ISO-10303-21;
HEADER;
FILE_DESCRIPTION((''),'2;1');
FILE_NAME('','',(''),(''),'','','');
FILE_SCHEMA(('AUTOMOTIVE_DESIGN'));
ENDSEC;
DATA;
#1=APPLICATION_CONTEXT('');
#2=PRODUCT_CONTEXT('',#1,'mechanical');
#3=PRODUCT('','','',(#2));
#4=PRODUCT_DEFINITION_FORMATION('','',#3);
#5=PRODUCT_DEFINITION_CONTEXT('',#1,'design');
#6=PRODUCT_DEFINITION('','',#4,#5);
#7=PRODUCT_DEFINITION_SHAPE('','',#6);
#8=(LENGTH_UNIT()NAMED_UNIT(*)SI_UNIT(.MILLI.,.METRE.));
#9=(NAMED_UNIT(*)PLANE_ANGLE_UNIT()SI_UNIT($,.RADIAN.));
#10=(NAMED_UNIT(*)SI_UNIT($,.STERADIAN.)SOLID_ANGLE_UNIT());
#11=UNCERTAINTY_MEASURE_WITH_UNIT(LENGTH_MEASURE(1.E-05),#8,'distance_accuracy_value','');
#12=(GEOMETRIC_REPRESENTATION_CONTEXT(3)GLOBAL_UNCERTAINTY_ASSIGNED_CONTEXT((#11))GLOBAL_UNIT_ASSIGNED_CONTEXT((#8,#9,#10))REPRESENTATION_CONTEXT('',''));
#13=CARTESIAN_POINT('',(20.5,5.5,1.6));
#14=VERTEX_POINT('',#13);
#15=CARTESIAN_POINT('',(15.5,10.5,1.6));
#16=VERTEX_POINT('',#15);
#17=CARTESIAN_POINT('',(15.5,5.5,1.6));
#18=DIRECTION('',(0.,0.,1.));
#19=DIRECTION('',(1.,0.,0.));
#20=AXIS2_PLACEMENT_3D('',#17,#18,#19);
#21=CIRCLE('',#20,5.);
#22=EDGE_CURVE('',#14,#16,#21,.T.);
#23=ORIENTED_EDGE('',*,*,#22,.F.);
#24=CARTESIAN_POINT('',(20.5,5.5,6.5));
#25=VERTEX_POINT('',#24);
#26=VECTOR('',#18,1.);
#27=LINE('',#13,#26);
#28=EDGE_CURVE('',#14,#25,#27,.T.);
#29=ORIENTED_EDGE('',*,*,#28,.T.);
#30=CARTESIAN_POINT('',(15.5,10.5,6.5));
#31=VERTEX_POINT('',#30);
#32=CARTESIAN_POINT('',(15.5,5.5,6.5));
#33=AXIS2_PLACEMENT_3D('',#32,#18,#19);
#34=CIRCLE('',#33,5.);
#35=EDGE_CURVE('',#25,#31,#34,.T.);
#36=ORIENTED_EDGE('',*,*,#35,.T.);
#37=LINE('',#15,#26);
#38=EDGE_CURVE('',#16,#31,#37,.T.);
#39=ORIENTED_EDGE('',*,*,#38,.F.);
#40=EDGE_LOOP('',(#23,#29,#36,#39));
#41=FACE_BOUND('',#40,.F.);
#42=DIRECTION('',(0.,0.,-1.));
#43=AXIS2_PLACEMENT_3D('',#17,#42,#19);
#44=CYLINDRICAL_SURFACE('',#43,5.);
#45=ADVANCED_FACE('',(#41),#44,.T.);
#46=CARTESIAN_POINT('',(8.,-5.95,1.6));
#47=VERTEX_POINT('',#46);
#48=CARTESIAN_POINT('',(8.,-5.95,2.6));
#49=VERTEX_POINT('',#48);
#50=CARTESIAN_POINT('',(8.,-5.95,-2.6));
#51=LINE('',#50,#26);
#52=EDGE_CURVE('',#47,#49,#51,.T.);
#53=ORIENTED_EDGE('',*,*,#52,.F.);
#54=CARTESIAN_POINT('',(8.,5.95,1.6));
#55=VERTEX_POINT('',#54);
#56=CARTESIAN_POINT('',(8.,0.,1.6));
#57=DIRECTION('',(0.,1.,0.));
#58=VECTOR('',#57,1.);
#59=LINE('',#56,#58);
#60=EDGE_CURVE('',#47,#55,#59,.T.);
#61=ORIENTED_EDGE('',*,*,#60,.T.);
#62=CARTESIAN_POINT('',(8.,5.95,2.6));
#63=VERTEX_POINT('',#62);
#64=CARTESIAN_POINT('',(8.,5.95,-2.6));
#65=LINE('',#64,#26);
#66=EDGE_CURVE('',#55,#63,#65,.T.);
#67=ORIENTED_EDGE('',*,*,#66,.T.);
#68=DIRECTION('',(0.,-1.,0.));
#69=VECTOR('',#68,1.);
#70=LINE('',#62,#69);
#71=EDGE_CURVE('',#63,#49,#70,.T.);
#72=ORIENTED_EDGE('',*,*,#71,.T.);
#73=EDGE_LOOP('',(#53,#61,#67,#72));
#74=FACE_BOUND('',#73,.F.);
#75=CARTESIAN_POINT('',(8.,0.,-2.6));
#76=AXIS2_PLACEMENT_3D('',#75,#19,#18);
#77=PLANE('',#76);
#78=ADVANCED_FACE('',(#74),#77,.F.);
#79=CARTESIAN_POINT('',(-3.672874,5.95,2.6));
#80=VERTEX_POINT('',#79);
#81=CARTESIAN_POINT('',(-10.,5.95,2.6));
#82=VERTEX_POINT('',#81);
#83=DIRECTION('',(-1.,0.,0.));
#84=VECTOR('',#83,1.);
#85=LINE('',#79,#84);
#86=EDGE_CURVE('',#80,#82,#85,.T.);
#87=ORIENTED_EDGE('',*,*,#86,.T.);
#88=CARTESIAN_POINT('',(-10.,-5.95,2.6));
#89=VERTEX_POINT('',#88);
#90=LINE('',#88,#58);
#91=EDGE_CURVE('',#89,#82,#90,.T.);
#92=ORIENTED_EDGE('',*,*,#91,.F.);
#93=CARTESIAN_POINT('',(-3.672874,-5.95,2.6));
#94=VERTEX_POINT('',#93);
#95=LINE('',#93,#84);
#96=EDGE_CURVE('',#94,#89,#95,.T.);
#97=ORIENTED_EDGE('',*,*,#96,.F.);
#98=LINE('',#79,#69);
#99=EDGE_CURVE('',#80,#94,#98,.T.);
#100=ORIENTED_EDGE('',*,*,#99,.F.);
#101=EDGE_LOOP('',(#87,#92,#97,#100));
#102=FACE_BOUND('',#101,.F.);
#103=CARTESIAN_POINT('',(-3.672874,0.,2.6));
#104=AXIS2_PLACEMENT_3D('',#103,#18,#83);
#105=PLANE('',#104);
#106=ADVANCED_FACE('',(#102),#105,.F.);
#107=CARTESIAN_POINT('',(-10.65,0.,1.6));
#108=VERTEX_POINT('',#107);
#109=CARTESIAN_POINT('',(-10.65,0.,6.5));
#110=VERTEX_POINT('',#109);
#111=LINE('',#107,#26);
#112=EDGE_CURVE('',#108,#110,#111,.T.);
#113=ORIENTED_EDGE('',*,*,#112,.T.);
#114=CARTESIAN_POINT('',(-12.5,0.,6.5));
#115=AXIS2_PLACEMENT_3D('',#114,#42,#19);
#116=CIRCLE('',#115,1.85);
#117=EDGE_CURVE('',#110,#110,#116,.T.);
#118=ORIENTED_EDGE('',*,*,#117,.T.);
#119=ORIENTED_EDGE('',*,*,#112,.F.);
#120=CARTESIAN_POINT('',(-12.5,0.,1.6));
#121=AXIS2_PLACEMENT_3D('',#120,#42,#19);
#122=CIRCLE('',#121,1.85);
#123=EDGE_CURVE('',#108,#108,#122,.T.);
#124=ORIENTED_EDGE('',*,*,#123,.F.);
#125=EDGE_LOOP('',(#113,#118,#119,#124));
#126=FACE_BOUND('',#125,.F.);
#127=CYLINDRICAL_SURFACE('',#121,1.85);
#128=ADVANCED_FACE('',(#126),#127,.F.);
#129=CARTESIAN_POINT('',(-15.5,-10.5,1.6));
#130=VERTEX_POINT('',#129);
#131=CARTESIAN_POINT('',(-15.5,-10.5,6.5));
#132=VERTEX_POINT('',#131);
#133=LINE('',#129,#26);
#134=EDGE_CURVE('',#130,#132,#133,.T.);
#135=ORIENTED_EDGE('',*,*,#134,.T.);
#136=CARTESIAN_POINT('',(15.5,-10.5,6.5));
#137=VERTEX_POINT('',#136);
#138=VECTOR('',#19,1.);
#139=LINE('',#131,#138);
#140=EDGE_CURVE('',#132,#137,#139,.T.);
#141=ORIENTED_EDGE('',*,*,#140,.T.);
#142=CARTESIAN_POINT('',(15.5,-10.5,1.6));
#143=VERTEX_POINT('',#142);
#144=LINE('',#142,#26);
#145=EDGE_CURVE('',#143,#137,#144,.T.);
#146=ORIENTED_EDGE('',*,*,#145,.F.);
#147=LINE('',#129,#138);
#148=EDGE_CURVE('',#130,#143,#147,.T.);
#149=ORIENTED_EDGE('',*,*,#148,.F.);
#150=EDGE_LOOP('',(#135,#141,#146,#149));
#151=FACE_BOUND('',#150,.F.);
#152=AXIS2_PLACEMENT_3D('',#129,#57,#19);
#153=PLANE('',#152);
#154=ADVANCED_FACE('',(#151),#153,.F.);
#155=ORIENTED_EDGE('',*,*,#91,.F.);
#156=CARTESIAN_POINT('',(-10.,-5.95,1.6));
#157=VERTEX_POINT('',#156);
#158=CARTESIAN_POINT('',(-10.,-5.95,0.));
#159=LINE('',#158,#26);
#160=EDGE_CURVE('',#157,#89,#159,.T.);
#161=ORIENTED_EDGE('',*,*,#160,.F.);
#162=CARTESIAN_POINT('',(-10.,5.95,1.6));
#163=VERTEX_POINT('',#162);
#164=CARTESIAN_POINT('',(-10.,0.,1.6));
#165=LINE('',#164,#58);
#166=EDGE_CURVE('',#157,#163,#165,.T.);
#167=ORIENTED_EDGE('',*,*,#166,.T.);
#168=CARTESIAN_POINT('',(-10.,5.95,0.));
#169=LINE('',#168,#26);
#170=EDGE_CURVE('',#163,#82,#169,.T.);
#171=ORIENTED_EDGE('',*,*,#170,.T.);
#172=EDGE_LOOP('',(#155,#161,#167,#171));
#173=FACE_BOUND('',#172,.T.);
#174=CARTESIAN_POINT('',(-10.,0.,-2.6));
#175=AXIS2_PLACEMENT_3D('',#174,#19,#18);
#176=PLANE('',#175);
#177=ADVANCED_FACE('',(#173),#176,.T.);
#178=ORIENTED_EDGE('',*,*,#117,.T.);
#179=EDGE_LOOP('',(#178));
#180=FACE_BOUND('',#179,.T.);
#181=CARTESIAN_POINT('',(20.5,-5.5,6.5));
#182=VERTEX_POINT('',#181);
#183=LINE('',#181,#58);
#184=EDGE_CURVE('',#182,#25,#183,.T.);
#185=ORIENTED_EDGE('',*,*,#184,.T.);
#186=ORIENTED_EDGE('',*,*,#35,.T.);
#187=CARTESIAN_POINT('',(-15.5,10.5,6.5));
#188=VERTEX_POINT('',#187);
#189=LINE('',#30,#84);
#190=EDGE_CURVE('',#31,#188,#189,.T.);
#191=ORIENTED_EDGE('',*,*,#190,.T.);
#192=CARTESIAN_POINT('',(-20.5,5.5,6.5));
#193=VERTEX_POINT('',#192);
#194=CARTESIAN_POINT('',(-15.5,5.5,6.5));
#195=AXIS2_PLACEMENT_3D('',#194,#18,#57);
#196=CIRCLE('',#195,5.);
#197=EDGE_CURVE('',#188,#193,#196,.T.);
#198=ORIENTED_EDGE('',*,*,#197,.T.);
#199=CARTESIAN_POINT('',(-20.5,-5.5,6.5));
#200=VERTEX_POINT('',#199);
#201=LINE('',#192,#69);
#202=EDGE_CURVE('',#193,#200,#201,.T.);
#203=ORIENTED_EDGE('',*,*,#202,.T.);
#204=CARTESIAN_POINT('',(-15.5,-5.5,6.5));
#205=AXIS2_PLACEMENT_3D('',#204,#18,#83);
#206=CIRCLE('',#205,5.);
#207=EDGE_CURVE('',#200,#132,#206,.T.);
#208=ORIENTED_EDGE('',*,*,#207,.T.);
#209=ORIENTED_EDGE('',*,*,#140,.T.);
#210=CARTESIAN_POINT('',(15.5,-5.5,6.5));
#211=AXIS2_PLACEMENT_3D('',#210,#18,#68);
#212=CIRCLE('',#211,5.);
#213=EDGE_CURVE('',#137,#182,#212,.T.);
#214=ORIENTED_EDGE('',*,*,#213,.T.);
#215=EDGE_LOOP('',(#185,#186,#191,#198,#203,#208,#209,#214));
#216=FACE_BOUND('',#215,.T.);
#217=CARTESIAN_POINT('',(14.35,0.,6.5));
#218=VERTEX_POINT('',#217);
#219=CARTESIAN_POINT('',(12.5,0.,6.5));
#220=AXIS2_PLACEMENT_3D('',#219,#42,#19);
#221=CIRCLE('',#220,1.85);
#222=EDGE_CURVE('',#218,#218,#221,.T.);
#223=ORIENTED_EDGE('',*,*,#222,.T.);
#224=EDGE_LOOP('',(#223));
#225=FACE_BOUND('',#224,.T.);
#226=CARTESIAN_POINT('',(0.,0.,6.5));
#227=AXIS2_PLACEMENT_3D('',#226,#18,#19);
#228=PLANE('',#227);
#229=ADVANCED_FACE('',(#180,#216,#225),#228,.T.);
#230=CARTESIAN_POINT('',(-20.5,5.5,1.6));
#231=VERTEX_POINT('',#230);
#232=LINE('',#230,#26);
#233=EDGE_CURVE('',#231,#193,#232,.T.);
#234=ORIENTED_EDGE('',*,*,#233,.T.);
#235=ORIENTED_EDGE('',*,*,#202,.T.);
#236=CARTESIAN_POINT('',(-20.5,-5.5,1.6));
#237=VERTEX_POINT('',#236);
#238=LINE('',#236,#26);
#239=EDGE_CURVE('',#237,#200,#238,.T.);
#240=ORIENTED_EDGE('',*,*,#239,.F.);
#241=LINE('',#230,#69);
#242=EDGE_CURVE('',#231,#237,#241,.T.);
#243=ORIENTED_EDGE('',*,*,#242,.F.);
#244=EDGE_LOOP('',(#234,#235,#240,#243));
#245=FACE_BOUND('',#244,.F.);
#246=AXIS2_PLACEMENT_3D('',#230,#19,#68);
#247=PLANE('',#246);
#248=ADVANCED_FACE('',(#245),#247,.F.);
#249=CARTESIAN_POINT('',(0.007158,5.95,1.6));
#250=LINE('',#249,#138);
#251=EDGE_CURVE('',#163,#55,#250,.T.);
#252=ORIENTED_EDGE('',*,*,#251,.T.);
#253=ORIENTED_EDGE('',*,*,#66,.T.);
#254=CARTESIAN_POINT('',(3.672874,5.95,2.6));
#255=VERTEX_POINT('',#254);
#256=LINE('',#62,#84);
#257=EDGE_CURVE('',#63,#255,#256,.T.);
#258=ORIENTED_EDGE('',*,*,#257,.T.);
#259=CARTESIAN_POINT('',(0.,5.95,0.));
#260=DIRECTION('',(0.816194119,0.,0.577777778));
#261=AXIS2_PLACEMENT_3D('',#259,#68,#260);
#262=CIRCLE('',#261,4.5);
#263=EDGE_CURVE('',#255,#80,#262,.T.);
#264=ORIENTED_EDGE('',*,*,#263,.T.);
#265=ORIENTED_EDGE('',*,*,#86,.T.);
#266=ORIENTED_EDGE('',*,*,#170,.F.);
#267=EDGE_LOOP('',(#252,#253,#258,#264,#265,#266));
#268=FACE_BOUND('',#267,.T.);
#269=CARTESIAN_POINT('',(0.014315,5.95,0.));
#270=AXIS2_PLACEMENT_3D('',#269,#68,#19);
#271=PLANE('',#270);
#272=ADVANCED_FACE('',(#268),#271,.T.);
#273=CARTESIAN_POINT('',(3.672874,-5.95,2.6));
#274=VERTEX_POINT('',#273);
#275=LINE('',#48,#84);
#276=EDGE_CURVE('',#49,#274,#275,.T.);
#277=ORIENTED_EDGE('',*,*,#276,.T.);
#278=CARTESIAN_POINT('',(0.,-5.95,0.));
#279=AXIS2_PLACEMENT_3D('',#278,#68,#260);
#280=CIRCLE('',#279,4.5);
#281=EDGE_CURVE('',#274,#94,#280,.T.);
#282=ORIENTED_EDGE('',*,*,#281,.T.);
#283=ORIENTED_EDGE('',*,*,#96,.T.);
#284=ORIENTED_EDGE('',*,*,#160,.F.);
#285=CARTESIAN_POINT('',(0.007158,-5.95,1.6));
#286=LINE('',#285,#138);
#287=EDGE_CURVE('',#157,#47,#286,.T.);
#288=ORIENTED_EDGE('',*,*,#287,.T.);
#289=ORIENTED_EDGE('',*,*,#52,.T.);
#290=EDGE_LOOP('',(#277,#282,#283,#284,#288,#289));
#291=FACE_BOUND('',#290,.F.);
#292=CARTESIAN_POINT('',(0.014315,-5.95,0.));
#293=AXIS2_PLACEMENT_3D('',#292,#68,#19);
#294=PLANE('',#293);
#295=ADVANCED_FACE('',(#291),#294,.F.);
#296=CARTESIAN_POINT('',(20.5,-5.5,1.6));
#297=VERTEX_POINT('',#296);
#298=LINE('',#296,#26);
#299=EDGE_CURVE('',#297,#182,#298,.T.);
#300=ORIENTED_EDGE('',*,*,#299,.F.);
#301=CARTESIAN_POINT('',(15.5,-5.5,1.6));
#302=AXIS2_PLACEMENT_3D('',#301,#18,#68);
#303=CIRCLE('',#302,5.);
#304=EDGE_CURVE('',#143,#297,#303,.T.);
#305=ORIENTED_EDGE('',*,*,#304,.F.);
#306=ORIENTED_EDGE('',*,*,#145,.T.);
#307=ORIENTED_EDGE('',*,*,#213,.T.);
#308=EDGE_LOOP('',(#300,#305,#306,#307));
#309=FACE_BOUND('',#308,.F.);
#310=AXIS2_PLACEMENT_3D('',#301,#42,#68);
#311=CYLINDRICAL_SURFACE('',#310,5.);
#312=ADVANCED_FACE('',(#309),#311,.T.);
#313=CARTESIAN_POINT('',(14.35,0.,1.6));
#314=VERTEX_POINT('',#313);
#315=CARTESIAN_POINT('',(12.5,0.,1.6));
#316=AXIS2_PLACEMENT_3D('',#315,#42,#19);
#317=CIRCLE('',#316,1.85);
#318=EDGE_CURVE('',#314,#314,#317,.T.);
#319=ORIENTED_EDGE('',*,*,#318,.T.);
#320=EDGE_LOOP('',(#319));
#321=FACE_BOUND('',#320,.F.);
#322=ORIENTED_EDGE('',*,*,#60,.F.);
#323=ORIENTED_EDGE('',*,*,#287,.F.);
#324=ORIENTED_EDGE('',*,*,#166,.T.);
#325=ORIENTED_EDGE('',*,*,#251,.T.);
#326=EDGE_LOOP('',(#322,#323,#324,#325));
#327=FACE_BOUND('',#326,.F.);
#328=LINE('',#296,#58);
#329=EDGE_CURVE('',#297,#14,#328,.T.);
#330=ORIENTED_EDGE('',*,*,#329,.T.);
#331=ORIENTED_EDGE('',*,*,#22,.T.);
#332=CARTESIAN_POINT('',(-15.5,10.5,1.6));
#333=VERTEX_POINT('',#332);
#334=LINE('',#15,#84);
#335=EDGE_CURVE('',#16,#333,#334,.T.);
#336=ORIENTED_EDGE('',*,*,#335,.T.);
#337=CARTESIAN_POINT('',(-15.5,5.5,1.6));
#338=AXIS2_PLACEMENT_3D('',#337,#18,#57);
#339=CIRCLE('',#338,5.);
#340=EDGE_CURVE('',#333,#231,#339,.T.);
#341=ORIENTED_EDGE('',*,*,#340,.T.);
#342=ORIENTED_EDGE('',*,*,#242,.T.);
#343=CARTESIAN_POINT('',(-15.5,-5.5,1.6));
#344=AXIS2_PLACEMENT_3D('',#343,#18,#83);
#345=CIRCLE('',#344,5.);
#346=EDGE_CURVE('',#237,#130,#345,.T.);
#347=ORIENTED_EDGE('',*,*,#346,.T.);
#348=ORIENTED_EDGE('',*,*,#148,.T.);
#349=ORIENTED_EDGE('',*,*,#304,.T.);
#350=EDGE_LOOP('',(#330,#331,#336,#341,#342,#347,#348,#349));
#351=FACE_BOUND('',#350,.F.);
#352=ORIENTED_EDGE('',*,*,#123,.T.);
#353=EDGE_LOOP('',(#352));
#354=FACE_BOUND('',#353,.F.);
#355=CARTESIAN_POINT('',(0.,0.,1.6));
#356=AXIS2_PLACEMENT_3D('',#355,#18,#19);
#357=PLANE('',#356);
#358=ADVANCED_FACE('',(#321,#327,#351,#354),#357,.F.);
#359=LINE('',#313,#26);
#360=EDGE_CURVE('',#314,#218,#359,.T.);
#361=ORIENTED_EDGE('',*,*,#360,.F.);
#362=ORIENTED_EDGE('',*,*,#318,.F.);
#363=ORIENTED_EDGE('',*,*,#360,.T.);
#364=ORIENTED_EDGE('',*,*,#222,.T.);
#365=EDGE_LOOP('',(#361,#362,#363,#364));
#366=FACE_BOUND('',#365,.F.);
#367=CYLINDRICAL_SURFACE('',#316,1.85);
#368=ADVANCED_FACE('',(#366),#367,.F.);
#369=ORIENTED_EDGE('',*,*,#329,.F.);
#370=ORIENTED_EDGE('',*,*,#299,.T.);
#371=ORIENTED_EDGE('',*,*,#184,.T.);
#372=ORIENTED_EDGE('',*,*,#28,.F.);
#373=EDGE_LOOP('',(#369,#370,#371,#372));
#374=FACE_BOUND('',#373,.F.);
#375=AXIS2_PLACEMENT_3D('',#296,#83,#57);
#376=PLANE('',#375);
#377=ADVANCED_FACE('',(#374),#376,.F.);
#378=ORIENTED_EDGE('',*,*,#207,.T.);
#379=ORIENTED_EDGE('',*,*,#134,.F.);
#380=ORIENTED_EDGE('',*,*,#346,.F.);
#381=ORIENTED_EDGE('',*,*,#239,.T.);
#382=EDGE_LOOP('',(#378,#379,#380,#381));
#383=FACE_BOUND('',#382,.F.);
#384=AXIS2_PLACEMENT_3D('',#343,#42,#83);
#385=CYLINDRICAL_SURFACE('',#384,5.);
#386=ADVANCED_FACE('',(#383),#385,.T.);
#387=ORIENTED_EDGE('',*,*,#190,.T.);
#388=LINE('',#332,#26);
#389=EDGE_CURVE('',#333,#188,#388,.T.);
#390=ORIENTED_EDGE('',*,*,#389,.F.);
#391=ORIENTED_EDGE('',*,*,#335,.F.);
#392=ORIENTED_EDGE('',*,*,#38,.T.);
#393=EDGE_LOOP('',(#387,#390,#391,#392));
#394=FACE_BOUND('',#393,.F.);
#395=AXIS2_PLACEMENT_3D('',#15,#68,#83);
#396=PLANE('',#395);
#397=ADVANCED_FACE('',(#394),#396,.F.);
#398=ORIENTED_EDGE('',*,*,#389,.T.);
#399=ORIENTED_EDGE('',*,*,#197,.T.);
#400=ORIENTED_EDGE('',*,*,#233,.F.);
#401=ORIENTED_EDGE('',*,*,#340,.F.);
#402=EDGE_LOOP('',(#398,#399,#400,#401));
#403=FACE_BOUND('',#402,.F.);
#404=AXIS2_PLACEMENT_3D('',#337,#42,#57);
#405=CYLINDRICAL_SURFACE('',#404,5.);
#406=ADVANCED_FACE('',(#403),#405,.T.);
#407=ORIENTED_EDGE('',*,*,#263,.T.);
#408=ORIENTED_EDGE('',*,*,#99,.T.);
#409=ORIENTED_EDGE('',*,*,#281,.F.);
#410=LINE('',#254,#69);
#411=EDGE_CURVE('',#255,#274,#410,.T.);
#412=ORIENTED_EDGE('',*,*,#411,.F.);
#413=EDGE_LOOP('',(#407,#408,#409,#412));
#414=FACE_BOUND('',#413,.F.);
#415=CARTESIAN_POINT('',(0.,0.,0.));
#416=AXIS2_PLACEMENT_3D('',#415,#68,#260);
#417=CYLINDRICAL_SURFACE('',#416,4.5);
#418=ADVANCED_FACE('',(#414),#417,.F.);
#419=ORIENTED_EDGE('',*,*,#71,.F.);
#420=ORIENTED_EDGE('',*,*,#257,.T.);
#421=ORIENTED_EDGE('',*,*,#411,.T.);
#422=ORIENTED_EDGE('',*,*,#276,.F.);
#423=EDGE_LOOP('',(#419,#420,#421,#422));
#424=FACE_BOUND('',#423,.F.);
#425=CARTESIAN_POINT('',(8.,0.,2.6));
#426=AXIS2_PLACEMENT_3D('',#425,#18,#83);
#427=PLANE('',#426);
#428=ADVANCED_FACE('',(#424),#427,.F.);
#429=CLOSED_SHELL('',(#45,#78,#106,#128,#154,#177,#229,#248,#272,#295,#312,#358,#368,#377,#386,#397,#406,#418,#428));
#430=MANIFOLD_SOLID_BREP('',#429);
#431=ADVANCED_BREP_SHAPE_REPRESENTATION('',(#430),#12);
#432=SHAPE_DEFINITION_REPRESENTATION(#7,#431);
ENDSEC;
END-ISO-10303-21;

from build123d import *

# Parameters (mm, degrees)
F2_START = 1.6
F2_DEPTH = 4.9
F3_W     = 2
F3_H     = 5.2
F4_DEPTH = 5.95
F5_W     = 13
F5_H     = 3
F6_DEPTH = 12.5
F7_R     = 1.85
F8_DEPTH = 6


with BuildPart() as f2:
    # F1 (on Top) → F2 (new body)
    with BuildSketch(Plane.XY.offset(F2_START)):
        with BuildLine():
            ThreePointArc((20.5, 5.5), (19.0355339059, 9.0355339059), (15.5, 10.5))
            Line((15.5, 10.5), (-15.5, 10.5))
            ThreePointArc((-15.5, 10.5), (-19.0355339059, 9.0355339059), (-20.5, 5.5))
            Line((-20.5, 5.5), (-20.5, -5.5))
            ThreePointArc((-20.5, -5.5), (-19.0355339059, -9.0355339059), (-15.5, -10.5))
            Line((-15.5, -10.5), (15.5, -10.5))
            ThreePointArc((15.5, -10.5), (19.0355339059, -9.0355339059), (20.5, -5.5))
            Line((20.5, -5.5), (20.5, 5.5))
        make_face()
    extrude(amount=F2_DEPTH)

    # F3 (on Front) → F4 (cut, symmetric)
    with BuildSketch(Plane.XZ):
        with BuildLine():
            ThreePointArc((3.6728735344, -2.6), (4.2882357039, -1.3641974005), (4.5, 0))
            ThreePointArc((4.5, 0), (4.2882357039, 1.3641974005), (3.6728735344, 2.6))
            Line((3.6728735344, 2.6), (-3.6728735344, 2.6))
            ThreePointArc((-3.6728735344, 2.6), (-4.5, 0), (-3.6728735344, -2.6))
            Line((-3.6728735344, -2.6), (3.6728735344, -2.6))
        make_face()
        with BuildLine():
            ThreePointArc((3.6728735344, 2.6), (4.2882357039, 1.3641974005), (4.5, 0))
            ThreePointArc((4.5, 0), (4.2882357039, -1.3641974005), (3.6728735344, -2.6))
            Line((3.6728735344, -2.6), (8, -2.6))
            Line((8, -2.6), (8, 2.6))
            Line((8, 2.6), (3.6728735344, 2.6))
        make_face()
        with BuildLine():
            Line((-3.6728735344, 2.6), (3.6728735344, 2.6))
            ThreePointArc((3.6728735344, 2.6), (0, 4.5), (-3.6728735344, 2.6))
        make_face()
        with BuildLine():
            ThreePointArc((-3.6728735344, -2.6), (0, -4.5), (3.6728735344, -2.6))
            Line((3.6728735344, -2.6), (-3.6728735344, -2.6))
        make_face()
        with BuildLine():
            ThreePointArc((-3.6728735344, -2.6), (-4.5, 0), (-3.6728735344, 2.6))
            Line((-3.6728735344, 2.6), (-8, 2.6))
            Line((-8, 2.6), (-8, -2.6))
            Line((-8, -2.6), (-3.6728735344, -2.6))
        make_face()
        with Locations((-9, 0)):
            Rectangle(F3_W, F3_H)
    extrude(amount=F4_DEPTH, both=True, mode=Mode.SUBTRACT)

    # F5 (on Front) → F6 (cut, symmetric)
    with BuildSketch(Plane.XZ):
        Rectangle(F5_W, F5_H)
    extrude(amount=F6_DEPTH, both=True, mode=Mode.SUBTRACT)

    # F7 (on face) → F8 (cut)
    with BuildSketch(Plane(origin=(0, 0, 1.6), x_dir=(1, 0, 0), z_dir=(0, 0, -1))):
        with Locations((-12.5, 0)):
            Circle(F7_R)
        with Locations((12.5, 0)):
            Circle(F7_R)
    extrude(amount=-F8_DEPTH, mode=Mode.SUBTRACT)


solid = f2.part
